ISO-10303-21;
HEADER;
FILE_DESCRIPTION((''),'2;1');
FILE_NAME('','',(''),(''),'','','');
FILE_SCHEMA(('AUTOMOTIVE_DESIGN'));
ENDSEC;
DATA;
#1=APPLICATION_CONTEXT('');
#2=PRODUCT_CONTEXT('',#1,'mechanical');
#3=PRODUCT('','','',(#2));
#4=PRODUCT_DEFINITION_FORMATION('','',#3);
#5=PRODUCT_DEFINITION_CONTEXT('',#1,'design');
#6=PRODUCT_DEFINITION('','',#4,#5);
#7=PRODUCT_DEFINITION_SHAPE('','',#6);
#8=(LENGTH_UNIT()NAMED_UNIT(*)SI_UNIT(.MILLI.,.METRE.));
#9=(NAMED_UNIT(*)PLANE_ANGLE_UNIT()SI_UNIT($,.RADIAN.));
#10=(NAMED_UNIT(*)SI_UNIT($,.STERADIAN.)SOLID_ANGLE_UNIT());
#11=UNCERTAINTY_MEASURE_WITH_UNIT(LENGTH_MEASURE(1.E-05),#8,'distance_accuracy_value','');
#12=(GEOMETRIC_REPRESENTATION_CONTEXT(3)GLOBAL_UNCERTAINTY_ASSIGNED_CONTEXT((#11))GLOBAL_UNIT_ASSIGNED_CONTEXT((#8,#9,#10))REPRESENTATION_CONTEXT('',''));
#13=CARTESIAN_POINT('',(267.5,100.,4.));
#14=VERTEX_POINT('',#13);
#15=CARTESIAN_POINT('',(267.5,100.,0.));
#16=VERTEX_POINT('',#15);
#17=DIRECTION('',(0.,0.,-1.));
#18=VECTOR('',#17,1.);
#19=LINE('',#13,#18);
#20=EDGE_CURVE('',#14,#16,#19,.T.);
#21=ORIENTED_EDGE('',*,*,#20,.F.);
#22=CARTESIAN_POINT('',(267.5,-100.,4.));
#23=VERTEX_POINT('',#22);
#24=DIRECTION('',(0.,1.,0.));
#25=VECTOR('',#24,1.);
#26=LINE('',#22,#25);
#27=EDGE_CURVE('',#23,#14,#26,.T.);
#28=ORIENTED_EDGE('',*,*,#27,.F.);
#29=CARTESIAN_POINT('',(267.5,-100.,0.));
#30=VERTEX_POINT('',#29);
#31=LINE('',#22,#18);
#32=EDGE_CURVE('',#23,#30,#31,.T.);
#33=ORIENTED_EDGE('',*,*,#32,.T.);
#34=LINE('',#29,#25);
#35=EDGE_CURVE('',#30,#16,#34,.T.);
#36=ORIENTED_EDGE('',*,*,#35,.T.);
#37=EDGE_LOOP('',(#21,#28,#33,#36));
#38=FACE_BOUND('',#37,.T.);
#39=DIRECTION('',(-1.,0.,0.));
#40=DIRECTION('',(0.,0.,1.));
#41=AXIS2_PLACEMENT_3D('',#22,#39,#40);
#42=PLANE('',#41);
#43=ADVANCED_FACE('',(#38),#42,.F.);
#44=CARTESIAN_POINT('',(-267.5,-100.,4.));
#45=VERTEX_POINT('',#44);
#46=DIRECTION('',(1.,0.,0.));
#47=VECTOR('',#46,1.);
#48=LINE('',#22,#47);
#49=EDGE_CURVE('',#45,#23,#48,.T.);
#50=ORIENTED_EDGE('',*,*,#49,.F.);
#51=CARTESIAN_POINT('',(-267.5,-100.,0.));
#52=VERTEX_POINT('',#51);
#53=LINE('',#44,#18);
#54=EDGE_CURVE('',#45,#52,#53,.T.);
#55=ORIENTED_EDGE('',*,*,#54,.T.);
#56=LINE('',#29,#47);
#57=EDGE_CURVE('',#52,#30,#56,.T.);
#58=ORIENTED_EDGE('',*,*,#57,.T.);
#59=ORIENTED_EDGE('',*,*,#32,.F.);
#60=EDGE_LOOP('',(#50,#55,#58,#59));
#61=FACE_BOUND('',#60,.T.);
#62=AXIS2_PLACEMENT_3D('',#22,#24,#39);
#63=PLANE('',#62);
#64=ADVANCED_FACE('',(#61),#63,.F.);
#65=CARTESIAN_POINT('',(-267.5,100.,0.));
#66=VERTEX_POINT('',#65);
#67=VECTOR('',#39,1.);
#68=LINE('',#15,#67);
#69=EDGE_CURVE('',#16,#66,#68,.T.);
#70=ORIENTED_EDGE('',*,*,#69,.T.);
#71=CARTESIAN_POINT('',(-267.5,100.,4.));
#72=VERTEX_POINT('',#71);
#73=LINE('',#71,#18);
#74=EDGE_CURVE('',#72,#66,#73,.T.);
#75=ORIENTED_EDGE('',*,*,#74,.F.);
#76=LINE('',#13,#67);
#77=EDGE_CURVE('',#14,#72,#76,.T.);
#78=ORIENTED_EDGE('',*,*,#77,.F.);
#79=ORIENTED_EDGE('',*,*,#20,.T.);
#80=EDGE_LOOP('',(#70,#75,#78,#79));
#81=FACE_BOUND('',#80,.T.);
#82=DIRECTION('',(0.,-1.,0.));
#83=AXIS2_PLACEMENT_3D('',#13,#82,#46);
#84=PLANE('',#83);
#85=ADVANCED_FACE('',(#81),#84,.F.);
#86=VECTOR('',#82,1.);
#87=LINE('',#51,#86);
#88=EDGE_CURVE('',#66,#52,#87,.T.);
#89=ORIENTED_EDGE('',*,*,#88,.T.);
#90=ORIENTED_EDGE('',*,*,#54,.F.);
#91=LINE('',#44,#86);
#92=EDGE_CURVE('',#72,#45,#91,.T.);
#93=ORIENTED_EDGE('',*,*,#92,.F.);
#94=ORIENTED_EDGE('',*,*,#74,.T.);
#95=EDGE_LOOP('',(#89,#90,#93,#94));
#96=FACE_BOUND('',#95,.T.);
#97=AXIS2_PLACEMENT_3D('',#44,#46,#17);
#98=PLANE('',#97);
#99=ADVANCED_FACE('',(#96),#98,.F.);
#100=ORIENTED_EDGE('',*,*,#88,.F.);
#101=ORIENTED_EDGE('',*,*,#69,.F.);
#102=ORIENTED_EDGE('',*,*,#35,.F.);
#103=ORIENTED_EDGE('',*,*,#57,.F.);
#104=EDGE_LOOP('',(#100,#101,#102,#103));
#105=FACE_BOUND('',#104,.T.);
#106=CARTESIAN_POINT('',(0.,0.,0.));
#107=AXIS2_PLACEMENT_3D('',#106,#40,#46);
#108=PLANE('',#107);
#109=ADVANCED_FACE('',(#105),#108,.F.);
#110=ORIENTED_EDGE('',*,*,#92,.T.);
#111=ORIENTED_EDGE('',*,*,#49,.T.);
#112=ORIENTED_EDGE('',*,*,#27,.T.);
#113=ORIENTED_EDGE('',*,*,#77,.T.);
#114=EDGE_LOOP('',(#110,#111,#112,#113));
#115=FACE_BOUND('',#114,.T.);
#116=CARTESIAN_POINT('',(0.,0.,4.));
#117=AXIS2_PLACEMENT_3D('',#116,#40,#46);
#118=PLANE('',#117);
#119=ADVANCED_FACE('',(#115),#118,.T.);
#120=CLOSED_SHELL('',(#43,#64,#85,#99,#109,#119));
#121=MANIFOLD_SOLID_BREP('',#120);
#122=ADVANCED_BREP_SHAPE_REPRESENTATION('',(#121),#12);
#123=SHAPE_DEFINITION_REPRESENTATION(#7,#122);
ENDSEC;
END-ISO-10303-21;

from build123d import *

# Parameters (mm, degrees)
SKICA1_W                = 535
SKICA1_H                = 200
P_IDAT_VYSUNUT_M1_DEPTH = 4


with BuildPart() as part:
    # Skica1 → Přidat vysunutím1 (new body)
    with BuildSketch(Plane.XY):
        Rectangle(SKICA1_W, SKICA1_H)
    extrude(amount=P_IDAT_VYSUNUT_M1_DEPTH)


solid = part.part
